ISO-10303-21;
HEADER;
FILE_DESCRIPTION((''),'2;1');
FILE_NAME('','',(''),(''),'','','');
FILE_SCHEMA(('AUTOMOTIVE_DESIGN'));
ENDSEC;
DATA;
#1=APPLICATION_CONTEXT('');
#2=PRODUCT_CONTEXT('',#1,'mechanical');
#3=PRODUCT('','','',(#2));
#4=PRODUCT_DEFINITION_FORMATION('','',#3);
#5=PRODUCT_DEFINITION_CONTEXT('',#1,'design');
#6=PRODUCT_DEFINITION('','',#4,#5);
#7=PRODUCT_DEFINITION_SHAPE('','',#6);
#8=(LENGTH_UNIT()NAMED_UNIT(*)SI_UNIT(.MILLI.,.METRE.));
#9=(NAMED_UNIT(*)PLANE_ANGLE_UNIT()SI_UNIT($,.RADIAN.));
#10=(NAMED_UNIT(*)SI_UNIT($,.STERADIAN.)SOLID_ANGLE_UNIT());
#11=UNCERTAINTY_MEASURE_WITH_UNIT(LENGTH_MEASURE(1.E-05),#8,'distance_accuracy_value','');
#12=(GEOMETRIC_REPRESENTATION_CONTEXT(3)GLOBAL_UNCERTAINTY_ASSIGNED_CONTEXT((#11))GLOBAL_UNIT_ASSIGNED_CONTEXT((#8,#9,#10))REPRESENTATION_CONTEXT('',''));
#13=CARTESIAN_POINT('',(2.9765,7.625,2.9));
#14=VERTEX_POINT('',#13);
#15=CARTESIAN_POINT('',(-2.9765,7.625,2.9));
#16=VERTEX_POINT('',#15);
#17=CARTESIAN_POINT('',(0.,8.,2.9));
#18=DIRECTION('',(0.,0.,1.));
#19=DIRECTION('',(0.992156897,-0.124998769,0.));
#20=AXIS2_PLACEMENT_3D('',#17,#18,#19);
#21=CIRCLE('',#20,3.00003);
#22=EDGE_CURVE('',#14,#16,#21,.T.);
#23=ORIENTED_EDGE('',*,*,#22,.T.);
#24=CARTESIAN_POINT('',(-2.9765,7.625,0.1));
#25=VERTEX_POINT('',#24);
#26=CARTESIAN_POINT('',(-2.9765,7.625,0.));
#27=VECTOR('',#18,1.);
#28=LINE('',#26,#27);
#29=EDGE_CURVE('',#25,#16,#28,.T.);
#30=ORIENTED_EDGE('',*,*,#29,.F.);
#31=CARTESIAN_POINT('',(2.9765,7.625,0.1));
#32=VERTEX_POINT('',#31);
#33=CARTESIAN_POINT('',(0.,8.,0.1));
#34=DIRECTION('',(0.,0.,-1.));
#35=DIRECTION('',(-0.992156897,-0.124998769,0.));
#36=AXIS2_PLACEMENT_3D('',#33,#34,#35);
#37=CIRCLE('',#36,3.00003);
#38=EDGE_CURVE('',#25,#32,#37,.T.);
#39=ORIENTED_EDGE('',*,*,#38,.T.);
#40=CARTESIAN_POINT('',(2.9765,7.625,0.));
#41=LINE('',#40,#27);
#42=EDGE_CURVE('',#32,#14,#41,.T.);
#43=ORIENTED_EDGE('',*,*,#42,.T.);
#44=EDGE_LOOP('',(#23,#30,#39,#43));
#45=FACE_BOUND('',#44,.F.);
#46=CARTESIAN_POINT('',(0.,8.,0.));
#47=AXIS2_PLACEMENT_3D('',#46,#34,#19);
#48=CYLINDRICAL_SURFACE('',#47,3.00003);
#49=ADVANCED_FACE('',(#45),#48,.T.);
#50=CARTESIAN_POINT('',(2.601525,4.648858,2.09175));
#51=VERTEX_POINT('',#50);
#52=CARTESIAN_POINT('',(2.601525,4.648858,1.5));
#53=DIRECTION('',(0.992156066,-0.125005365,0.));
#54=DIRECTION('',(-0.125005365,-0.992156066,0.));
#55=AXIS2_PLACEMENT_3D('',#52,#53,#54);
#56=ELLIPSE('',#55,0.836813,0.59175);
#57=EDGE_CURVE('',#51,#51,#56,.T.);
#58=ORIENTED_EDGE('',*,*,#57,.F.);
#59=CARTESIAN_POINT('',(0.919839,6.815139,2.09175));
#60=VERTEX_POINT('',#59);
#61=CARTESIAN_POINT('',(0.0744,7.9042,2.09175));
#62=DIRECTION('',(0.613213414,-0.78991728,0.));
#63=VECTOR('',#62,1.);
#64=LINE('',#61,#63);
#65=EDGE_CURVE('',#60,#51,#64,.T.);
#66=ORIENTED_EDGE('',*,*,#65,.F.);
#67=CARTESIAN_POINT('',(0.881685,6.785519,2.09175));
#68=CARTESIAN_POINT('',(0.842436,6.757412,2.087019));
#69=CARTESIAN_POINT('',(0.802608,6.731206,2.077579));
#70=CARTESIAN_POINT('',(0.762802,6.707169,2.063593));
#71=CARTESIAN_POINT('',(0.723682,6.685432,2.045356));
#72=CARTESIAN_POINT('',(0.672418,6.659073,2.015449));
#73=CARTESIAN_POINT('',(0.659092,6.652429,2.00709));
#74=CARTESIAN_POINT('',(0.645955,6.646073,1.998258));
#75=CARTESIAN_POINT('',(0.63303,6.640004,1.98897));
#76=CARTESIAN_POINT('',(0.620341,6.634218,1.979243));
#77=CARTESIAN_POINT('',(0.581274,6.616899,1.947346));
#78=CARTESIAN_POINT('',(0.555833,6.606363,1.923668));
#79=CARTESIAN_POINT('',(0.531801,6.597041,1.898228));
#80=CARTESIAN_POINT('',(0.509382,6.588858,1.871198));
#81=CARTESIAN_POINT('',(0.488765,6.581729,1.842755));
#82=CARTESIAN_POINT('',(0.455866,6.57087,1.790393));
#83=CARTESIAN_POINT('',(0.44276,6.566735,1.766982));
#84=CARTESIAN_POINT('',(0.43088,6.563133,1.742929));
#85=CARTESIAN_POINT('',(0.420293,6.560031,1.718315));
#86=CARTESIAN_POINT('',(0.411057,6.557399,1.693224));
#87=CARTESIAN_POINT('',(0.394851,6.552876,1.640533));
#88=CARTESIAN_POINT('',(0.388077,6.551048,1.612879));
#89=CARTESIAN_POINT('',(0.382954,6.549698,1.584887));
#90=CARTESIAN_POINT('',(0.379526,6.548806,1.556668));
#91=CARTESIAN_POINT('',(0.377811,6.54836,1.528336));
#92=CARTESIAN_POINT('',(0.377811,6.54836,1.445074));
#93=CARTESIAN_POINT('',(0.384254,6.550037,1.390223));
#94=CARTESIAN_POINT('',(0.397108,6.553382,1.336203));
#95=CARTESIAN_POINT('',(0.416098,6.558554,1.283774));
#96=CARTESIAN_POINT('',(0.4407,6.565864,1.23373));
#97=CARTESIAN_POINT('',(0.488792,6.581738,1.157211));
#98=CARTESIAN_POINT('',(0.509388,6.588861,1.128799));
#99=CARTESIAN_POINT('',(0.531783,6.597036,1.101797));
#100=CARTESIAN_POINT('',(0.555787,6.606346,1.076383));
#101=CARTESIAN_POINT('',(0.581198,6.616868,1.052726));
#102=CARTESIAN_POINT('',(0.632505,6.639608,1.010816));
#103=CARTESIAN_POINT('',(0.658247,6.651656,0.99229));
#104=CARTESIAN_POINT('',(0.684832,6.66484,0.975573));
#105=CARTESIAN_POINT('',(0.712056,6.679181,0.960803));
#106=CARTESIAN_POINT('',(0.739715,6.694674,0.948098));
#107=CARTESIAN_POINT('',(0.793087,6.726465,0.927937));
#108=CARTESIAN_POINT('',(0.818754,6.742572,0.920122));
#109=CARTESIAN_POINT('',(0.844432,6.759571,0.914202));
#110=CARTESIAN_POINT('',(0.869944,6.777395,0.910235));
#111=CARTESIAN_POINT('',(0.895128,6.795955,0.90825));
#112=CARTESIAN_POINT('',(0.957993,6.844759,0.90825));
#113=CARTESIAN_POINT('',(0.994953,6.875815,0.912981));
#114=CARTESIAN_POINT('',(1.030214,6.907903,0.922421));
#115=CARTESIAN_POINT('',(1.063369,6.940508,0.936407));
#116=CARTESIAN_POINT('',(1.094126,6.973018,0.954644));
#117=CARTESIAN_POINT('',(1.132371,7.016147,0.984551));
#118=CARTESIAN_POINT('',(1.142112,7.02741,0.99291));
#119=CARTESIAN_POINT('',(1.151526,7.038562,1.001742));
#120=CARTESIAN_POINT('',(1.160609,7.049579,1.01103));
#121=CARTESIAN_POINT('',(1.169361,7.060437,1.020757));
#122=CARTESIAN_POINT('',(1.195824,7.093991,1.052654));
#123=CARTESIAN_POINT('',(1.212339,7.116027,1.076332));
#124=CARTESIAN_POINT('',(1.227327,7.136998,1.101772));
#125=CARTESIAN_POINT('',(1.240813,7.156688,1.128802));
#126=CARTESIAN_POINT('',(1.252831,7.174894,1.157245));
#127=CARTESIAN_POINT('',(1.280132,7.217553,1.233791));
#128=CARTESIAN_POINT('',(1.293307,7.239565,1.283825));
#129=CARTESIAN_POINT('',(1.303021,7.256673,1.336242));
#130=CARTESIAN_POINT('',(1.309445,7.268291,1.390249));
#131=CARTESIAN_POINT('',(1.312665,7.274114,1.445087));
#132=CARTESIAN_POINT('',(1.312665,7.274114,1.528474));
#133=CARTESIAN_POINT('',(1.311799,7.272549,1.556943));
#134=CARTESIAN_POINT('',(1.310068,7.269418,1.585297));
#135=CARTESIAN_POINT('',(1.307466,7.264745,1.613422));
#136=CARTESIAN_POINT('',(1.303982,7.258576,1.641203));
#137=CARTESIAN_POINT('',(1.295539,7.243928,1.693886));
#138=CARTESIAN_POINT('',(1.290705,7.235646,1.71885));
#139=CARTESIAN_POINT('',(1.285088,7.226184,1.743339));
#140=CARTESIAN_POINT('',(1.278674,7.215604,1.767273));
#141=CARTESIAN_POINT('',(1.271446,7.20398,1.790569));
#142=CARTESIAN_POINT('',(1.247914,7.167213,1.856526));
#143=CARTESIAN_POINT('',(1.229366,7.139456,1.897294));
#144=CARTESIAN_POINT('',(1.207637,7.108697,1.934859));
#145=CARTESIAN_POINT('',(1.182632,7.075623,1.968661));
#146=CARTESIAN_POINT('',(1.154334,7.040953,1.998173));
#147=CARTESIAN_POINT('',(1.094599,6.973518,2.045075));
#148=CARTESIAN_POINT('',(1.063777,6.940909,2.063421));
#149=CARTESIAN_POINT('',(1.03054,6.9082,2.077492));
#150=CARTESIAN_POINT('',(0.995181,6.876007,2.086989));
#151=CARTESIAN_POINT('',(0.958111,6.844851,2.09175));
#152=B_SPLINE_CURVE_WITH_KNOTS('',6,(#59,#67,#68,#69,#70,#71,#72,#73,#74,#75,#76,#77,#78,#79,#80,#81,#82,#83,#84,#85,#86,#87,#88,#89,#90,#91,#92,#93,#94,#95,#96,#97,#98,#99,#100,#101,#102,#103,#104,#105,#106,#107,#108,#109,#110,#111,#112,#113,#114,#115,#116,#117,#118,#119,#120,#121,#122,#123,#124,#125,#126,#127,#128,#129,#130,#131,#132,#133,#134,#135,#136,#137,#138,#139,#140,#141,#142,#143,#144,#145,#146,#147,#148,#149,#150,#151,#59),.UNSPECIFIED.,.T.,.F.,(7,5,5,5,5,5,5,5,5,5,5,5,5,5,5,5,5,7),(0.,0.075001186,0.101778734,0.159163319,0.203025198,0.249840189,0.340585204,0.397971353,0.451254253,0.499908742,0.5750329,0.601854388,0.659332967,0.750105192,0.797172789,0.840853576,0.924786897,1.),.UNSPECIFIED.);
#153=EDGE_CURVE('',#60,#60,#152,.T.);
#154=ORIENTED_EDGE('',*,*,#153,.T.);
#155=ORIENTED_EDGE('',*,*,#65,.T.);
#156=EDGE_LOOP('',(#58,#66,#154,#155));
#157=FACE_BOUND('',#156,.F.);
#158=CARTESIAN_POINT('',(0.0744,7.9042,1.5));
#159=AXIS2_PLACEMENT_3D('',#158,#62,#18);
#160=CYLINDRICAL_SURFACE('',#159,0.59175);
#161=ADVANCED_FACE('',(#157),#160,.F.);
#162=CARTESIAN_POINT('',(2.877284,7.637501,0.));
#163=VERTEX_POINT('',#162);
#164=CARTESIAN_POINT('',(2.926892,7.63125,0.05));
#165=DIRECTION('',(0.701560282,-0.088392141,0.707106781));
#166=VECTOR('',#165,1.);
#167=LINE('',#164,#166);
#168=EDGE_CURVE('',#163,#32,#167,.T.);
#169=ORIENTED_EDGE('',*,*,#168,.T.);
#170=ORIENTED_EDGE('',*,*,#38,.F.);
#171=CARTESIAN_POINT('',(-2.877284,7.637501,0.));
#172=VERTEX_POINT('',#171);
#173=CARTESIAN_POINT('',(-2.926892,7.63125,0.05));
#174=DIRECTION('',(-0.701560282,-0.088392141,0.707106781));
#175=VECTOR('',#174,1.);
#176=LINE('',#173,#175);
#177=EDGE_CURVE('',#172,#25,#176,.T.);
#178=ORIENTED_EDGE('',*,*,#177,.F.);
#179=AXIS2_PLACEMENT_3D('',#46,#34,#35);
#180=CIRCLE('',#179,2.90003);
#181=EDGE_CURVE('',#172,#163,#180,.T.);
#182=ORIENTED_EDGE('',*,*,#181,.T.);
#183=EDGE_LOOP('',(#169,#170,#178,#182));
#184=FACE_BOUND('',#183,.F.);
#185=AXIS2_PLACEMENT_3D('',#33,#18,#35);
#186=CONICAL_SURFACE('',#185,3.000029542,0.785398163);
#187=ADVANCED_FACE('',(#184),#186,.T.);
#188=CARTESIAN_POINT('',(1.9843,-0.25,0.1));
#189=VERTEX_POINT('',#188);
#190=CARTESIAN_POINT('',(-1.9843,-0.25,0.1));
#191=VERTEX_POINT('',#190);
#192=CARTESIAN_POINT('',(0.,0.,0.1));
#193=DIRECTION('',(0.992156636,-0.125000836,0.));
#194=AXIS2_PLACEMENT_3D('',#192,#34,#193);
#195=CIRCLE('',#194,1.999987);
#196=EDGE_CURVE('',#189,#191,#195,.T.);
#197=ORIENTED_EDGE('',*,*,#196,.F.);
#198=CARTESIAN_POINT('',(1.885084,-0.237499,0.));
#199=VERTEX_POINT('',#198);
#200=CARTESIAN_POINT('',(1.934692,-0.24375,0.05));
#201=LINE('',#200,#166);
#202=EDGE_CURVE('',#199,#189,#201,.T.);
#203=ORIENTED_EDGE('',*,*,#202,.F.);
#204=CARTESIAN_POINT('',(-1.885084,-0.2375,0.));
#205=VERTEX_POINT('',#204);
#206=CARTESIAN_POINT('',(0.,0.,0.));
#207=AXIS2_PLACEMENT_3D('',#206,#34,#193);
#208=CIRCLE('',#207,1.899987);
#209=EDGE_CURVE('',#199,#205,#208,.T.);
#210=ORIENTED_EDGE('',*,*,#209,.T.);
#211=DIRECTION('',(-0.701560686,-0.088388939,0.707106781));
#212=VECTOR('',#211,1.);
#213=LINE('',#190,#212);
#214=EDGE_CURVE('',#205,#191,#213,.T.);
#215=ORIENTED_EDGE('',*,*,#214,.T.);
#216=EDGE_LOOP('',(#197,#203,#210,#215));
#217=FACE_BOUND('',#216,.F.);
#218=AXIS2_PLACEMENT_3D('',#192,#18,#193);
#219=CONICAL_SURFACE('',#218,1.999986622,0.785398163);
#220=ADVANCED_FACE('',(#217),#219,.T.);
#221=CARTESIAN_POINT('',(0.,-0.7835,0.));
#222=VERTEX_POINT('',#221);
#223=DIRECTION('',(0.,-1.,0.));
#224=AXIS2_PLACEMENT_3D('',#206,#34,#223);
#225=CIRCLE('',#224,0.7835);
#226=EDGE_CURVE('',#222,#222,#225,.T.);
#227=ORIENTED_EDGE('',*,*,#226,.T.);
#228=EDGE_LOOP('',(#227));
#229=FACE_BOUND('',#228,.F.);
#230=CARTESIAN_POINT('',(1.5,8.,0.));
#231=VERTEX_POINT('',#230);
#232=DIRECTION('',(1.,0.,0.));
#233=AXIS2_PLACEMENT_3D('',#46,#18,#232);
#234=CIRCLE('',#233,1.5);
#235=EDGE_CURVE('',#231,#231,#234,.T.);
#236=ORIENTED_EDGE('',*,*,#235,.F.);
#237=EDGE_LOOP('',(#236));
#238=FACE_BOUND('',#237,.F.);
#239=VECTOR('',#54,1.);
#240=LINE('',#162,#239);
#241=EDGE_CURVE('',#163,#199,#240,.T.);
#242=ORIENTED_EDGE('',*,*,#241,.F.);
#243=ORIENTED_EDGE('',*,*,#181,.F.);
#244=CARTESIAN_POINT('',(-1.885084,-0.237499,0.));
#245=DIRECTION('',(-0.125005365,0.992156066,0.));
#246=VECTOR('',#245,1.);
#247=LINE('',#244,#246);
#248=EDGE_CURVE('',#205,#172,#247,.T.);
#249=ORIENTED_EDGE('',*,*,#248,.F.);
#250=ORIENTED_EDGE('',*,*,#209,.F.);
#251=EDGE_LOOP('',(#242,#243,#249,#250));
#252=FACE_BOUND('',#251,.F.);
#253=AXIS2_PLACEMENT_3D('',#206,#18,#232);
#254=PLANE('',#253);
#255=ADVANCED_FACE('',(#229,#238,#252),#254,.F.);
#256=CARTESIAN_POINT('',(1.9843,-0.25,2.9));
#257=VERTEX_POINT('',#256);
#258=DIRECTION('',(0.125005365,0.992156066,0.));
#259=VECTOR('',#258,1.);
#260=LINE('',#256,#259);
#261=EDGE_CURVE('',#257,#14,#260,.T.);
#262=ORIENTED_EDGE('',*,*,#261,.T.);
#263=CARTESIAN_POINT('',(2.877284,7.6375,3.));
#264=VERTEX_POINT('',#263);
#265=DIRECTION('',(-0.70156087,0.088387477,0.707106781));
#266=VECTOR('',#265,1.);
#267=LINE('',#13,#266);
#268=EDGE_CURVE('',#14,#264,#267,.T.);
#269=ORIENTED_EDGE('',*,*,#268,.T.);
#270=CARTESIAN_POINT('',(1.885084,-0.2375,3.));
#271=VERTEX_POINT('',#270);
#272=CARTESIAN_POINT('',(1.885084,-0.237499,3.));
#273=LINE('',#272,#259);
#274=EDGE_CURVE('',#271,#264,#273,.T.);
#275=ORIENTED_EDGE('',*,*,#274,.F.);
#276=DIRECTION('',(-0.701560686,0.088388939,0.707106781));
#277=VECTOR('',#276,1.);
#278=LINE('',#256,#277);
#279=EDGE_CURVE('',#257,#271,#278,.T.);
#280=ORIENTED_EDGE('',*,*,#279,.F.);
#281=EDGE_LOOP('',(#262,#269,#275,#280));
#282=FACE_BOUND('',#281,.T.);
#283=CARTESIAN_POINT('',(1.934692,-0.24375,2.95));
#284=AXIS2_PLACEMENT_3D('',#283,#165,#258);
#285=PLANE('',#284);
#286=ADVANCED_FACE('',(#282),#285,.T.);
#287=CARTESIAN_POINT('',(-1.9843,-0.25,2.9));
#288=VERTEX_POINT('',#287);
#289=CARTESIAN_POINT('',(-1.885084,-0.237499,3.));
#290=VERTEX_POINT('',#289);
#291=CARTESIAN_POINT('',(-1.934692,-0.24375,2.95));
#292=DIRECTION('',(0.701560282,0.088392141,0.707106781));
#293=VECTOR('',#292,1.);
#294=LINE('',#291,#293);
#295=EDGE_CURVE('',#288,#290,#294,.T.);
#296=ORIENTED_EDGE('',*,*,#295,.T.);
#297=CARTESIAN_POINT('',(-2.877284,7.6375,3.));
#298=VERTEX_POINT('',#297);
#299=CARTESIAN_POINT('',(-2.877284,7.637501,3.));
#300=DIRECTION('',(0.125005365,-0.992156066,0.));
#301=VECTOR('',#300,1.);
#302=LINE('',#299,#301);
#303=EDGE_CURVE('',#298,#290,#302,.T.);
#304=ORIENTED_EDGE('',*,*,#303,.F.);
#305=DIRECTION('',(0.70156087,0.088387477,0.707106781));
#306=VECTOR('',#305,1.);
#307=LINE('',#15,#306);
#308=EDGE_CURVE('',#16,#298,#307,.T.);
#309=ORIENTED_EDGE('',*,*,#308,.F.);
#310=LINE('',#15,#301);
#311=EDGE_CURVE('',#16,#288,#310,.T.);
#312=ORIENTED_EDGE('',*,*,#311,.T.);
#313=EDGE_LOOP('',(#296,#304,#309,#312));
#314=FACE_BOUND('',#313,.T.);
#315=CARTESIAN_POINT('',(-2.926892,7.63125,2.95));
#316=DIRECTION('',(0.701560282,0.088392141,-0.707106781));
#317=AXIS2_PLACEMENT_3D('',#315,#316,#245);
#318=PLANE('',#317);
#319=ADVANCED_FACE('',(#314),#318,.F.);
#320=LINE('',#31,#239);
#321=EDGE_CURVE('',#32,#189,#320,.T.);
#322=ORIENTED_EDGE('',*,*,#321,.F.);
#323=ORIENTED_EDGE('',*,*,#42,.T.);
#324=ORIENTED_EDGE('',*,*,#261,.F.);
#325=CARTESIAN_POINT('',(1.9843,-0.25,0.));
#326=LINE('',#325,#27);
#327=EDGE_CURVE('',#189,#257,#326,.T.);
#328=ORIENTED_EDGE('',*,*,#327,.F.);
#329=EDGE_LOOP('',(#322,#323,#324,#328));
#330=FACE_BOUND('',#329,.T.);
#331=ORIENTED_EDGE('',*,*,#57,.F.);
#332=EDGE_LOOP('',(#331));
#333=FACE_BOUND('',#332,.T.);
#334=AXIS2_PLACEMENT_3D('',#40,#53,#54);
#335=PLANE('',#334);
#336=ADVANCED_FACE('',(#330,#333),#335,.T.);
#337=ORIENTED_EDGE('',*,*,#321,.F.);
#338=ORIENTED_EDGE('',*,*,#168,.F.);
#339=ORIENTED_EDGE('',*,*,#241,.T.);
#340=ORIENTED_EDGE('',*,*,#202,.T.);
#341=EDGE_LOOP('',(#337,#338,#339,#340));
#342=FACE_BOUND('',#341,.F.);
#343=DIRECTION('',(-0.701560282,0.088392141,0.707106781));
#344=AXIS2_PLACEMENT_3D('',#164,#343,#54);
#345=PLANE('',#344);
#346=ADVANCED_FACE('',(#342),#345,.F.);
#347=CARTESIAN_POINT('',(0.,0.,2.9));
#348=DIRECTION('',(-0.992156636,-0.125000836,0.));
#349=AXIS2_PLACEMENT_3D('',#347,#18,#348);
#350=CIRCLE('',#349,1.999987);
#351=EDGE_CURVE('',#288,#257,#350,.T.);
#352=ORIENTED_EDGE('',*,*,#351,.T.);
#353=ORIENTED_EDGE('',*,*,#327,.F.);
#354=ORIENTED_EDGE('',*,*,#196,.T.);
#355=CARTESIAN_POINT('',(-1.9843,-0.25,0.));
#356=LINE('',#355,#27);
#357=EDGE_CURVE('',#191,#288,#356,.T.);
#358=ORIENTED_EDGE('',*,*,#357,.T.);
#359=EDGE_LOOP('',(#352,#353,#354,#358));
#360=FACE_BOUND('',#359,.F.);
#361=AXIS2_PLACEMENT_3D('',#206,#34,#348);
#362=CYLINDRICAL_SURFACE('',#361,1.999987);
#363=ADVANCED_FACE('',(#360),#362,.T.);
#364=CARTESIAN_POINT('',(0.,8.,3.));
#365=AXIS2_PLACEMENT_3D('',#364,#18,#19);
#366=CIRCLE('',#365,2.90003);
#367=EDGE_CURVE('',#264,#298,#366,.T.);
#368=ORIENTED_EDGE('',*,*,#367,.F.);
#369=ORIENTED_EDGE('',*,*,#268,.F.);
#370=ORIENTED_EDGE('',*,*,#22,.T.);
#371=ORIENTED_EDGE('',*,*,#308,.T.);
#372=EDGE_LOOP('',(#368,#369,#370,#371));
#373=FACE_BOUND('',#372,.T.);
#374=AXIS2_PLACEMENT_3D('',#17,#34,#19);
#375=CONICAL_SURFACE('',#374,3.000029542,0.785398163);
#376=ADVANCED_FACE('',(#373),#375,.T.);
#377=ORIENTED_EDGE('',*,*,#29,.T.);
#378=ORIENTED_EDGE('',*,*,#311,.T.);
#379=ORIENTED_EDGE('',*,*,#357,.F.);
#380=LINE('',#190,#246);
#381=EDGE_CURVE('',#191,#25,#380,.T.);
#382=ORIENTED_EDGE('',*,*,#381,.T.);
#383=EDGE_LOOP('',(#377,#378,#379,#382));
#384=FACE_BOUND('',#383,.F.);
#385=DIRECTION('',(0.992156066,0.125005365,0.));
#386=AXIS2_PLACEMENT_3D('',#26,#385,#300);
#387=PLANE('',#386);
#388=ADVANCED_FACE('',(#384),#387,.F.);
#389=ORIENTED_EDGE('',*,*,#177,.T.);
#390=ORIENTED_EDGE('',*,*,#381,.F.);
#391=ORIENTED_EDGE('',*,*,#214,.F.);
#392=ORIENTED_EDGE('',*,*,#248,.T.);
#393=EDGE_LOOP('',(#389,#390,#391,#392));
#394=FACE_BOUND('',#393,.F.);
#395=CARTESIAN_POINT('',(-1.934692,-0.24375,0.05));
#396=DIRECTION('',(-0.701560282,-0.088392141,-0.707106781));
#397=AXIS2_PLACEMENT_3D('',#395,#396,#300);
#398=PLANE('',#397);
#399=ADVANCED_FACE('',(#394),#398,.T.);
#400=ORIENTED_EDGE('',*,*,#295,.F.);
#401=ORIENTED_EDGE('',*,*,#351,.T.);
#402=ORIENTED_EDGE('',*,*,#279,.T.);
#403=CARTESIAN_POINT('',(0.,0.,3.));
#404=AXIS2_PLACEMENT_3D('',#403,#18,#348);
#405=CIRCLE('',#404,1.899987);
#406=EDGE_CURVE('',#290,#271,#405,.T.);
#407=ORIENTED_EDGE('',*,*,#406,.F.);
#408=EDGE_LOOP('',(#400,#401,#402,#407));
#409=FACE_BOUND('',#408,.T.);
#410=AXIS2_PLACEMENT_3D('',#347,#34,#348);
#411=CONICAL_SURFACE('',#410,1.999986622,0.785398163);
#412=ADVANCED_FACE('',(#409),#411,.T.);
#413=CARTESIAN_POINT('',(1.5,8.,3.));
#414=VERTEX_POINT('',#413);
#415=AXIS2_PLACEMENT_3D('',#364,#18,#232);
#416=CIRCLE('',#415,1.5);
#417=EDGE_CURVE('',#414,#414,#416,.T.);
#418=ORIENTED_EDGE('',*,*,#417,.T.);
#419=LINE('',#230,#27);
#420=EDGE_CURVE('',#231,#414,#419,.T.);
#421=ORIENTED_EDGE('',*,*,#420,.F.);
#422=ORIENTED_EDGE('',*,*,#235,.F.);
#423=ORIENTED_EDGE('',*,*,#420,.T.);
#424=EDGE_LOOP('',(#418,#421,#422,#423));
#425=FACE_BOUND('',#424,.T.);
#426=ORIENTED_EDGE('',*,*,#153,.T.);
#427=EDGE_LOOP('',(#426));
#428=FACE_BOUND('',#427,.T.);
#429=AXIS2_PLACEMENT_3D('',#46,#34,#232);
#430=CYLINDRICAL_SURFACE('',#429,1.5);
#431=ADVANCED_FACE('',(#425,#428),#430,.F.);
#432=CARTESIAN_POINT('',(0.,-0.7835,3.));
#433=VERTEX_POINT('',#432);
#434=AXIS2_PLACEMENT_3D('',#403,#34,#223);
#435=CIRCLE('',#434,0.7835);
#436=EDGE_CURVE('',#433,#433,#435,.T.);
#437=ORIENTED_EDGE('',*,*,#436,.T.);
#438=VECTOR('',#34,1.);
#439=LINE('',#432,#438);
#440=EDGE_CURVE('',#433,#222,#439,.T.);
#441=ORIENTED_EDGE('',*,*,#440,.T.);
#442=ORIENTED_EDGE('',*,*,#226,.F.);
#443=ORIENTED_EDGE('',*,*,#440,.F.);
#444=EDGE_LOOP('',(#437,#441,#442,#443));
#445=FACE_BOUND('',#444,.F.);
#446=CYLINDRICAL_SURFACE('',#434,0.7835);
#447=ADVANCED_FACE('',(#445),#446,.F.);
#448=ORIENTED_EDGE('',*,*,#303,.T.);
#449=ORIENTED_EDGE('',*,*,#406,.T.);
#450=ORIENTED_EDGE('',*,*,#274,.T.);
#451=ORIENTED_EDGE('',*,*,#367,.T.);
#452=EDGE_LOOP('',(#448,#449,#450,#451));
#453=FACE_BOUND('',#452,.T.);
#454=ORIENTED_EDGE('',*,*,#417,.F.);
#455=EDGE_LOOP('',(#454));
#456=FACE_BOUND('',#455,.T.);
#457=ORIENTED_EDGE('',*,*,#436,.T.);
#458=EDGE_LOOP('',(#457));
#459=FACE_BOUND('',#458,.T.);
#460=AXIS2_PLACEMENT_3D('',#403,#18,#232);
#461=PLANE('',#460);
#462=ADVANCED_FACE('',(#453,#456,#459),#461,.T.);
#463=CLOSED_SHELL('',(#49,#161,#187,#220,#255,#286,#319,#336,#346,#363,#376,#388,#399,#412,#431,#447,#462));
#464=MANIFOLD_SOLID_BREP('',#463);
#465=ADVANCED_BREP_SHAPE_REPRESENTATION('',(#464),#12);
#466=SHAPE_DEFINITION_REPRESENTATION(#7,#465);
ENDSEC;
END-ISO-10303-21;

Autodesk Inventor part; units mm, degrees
ref_plane "YZ Plane" through (0, 0, 0) normal (1, 0, 0) x (0, 1, 0)
ref_plane "XZ Plane" through (0, 0, 0) normal (0, 1, 0) x (-1, 0, 0)
sketch "Sketch1" plane through (0, 0, 0) normal (0, 0, 1) x (1, 0, 0)
  arc A0 (-1.9843, -0.25) -> (1.9843, -0.25) centre (0, 0) ccw
  arc A1 (2.9765, 7.625) -> (-2.9765, 7.625) centre (0, 8) ccw
  line L0 (2.9765, 7.625) -> (1.9843, -0.25)
  line L1 (-2.9765, 7.625) -> (-1.9843, -0.25)
  circle A2 centre (0, 8) radius 1.5
  dimension "d0" = 3
  dimension "d1" = 2
  dimension "d2" = 8
  dimension "d3" = 3
extrude "Extrusion1" add sketch "Sketch1" along normal blind 3
sketch "Sketch2" plane through (0, 0, 3) normal (0, 0, 1) x (1, 0, 0)
  arc A0 (-1.9843, -0.25) -> (1.9843, -0.25) centre (0, 0) ccw projected
hole "Hole1" at (0, 0, 3) direction (0, 0, -1) diameter 1.567 end through all thread size "M2x0.4" class "6H" standard "ANSI Metric M Profile"
ref_plane "Work Plane2" through (1.7501, 9.2049, 0) normal (0.6132, -0.7899, 0) x (0, 0, 1)
ref_plane "Work Plane1" through (2.9765, 7.625, 0) normal (0.6132, -0.7899, 0) x (0, 0, 1)
sketch "Sketch3" plane through (1.7501, 9.2049, 0) normal (0.6132, -0.7899, 0) x (0, 0, 1)
  line L0 (0, 5.6125) -> (0, 0) projected
  line L1 (0, 0) -> (0, 4.7025) projected
  line L2 (0, 4.7025) -> (3, 4.7025) projected
  line L3 (3, 0) -> (3, 4.7025) projected
  line L4 (0, 0) -> (3, 0) projected
  line L5 (0, -0.8787) -> (3, -0.8787) projected
  point P0 (0, 7.0267)
  point P1 (1.5, 2.1213)
  point P2 (1.5, -0.8787)
  dimension "d15" = 1.5
  dimension "d16" = 3
hole "Hole2" at (0.0744, 7.9042, 1.5) direction (0.6132, -0.7899, 0) diameter 1.1835 end through all thread size "M1.4x0.3" class "6H" standard "ANSI Metric M Profile"
chamfer "Chamfer1" distance 0.1 angle 45 8 edges at (0, 11, 3) (-2.4804, 3.6875, 3) (0, -2, 3) (2.4804, 3.6875, 3) (2.4804, 3.6875, 0) (0, 11, 0) (-2.4804, 3.6875, 0) (0, -2, 0)
properties part number "27 - Valve Level" material "Steel AISI 1020 108 ANLD"
